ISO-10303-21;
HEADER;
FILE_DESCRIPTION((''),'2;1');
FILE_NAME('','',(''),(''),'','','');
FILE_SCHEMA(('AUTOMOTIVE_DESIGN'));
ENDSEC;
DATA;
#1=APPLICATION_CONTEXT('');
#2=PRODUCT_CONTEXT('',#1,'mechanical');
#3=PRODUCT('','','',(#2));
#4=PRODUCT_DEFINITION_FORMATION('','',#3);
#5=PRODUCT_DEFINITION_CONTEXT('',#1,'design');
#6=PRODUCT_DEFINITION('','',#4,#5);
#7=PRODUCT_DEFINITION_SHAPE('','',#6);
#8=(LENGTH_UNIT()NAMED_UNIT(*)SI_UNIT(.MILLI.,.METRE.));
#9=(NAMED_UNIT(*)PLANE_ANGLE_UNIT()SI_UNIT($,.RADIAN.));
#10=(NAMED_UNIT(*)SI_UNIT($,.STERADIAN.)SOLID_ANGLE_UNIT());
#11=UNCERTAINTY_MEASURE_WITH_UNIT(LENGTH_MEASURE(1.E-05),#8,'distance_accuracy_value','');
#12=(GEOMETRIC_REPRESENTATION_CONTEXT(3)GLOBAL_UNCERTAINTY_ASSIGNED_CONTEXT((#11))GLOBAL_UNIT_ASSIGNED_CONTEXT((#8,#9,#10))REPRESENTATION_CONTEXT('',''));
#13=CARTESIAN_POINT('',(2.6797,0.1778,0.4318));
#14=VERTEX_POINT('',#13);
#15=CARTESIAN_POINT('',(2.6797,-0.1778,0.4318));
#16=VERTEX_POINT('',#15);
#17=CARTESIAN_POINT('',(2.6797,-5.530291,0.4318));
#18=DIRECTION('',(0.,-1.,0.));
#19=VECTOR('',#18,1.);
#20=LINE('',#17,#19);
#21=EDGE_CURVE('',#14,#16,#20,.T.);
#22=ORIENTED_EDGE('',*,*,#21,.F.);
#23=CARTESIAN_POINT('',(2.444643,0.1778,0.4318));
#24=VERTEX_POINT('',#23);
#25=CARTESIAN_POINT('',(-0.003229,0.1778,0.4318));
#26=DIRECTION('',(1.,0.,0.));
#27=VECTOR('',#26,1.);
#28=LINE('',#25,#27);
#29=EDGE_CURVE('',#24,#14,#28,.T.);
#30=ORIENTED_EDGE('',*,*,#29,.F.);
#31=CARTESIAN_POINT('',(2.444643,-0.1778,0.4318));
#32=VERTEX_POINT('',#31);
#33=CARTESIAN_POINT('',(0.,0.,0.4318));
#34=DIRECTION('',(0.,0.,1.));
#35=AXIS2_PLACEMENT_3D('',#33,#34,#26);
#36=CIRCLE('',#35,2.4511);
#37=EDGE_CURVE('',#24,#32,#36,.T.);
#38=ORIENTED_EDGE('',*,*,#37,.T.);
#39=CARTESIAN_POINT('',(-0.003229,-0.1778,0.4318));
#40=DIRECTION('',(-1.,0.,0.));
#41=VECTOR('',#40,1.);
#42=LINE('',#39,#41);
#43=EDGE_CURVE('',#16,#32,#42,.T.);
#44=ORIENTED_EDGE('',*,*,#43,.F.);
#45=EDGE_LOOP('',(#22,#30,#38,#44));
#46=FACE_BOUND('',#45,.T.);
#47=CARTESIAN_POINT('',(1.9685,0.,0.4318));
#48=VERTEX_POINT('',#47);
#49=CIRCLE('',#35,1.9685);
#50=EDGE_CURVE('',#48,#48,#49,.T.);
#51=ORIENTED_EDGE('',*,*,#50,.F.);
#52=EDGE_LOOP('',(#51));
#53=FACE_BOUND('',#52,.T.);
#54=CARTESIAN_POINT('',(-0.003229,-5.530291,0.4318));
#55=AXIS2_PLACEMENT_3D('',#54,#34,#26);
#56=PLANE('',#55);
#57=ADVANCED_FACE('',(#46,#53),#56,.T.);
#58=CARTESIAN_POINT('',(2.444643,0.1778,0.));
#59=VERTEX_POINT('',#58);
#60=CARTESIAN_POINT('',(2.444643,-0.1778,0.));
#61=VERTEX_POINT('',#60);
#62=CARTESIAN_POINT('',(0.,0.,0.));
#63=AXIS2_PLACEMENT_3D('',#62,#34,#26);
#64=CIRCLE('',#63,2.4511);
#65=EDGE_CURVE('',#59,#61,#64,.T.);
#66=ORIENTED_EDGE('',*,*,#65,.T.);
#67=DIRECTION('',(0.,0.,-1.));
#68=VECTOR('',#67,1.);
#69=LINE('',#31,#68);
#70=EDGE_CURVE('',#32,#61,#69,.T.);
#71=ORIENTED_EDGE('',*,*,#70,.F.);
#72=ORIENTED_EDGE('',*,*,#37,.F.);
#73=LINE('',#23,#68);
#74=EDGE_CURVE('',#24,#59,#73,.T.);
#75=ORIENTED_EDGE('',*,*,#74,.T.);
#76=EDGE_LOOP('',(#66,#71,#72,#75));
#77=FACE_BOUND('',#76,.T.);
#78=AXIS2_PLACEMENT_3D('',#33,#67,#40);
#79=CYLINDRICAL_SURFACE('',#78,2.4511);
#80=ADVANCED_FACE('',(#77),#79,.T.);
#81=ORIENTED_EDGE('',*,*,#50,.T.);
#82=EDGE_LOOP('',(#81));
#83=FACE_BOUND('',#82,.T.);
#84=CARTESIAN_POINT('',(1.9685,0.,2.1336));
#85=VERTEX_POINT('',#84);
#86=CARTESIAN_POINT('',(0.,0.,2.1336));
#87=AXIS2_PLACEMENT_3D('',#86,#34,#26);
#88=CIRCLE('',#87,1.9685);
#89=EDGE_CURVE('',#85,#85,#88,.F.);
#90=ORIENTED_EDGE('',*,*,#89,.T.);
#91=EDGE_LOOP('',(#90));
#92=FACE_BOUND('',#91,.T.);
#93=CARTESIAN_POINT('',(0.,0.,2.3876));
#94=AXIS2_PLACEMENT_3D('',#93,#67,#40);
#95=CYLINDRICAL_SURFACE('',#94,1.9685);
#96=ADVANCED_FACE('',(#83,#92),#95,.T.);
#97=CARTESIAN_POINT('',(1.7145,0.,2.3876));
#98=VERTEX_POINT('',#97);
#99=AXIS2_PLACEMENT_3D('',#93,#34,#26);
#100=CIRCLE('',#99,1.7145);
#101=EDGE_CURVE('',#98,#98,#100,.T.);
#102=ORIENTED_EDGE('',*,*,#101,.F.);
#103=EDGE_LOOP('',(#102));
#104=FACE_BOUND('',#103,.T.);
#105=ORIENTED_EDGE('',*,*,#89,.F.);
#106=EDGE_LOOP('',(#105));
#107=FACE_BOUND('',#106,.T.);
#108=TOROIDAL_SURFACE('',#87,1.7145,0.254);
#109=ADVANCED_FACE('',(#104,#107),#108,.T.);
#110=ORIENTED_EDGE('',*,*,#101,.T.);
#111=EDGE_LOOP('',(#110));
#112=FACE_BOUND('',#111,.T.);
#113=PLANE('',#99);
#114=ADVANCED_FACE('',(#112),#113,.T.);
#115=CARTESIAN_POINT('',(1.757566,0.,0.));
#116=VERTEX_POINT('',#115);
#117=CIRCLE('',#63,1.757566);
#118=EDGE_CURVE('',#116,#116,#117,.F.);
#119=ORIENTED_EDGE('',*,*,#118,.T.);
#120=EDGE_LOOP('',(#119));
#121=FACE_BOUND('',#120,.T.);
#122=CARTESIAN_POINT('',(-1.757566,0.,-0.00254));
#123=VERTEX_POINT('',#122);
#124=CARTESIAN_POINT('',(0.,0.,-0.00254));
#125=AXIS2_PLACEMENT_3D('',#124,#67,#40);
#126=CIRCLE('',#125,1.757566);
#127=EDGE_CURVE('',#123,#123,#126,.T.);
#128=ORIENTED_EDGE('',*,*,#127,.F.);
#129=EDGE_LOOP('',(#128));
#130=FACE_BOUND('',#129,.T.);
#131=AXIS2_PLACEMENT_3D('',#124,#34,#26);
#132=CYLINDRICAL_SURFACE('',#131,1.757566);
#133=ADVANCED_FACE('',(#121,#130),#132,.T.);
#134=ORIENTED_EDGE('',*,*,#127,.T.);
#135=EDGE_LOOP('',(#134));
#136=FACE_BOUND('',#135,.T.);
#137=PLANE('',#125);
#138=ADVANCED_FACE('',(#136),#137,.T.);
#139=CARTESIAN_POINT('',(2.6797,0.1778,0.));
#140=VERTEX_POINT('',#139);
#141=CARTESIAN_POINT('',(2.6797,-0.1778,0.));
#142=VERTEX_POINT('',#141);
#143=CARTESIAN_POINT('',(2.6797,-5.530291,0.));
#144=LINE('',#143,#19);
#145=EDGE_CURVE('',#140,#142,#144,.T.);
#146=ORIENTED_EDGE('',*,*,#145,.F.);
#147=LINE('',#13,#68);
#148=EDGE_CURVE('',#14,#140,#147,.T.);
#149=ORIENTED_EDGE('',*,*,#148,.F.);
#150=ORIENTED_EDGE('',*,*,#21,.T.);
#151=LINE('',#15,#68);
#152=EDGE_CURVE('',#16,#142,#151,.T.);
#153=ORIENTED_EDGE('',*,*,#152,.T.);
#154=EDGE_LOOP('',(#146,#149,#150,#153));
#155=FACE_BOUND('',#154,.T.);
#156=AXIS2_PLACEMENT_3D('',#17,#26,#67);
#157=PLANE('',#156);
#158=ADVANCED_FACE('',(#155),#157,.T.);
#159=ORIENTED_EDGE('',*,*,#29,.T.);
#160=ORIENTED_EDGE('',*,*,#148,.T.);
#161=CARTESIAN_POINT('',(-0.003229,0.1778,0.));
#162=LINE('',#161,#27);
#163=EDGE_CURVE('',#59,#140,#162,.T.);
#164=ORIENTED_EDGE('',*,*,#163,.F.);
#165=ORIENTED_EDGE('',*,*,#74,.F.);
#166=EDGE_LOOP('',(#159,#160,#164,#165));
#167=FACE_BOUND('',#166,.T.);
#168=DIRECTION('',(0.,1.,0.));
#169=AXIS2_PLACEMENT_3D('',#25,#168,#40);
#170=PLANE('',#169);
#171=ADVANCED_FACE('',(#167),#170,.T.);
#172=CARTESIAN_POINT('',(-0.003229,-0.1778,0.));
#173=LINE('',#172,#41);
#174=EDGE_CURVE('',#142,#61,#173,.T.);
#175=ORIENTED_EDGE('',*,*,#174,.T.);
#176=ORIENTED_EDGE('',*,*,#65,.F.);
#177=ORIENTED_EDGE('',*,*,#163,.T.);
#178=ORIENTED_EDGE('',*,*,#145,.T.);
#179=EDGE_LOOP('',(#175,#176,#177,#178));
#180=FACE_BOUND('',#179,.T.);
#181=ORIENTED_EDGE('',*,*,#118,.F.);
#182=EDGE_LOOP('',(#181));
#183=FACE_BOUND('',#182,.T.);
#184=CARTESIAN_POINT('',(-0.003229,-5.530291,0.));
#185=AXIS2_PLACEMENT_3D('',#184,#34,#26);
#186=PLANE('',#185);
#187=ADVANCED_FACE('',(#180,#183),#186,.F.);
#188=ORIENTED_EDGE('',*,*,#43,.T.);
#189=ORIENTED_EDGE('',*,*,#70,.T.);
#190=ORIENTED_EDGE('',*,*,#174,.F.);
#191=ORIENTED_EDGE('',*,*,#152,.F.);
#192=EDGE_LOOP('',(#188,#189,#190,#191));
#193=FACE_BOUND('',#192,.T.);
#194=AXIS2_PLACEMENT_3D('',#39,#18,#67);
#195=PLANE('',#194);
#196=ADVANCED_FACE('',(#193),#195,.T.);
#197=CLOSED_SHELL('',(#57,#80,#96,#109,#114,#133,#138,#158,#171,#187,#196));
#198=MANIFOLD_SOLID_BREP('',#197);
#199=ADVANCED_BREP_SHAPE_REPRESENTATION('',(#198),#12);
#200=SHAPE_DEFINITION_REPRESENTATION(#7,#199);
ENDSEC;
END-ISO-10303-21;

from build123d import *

# Parameters (mm, degrees)
BOSS_EXTRUDE1_DEPTH = 0.4318
SKETCH2_R           = 1.9685
BOSS_EXTRUDE2_DEPTH = 1.9558
SKETCH3_R           = 1.757566481
BOSS_EXTRUDE3_DEPTH = 0.00254
FILLET1_R           = 0.254


with BuildPart() as part:
    # Sketch1 → Boss-Extrude1 (new body)
    with BuildSketch(Plane.XY):
        with BuildLine():
            Line((2.6797, 0.1778), (2.4511, 0.1778))
            Line((2.4511, 0.1778), (2.44464279, 0.1778))
            ThreePointArc((2.44464279, 0.1778), (-2.4511, 0), (2.44464279, -0.1778))
            Line((2.44464279, -0.1778), (2.4511, -0.1778))
            Line((2.4511, -0.1778), (2.6797, -0.1778))
            Line((2.6797, -0.1778), (2.6797, 0.1778))
        make_face()
    extrude(amount=BOSS_EXTRUDE1_DEPTH)

    # Sketch2 → Boss-Extrude2 (add)
    with BuildSketch(Plane.XY.offset(0.4318)):
        Circle(SKETCH2_R)
    extrude(amount=BOSS_EXTRUDE2_DEPTH)

    # Sketch3 → Boss-Extrude3 (add)
    with BuildSketch(Plane(origin=(0, 0, 0), x_dir=(-1, 0, 0), z_dir=(0, 0, -1))):
        Circle(SKETCH3_R)
    extrude(amount=BOSS_EXTRUDE3_DEPTH)

    # Fillet1
    fillet1_edges = [part.edges().sort_by_distance(p)[0] for p in [
        (-1.9685, 0, 2.3876),
    ]]
    fillet(fillet1_edges, radius=FILLET1_R)


solid = part.part
